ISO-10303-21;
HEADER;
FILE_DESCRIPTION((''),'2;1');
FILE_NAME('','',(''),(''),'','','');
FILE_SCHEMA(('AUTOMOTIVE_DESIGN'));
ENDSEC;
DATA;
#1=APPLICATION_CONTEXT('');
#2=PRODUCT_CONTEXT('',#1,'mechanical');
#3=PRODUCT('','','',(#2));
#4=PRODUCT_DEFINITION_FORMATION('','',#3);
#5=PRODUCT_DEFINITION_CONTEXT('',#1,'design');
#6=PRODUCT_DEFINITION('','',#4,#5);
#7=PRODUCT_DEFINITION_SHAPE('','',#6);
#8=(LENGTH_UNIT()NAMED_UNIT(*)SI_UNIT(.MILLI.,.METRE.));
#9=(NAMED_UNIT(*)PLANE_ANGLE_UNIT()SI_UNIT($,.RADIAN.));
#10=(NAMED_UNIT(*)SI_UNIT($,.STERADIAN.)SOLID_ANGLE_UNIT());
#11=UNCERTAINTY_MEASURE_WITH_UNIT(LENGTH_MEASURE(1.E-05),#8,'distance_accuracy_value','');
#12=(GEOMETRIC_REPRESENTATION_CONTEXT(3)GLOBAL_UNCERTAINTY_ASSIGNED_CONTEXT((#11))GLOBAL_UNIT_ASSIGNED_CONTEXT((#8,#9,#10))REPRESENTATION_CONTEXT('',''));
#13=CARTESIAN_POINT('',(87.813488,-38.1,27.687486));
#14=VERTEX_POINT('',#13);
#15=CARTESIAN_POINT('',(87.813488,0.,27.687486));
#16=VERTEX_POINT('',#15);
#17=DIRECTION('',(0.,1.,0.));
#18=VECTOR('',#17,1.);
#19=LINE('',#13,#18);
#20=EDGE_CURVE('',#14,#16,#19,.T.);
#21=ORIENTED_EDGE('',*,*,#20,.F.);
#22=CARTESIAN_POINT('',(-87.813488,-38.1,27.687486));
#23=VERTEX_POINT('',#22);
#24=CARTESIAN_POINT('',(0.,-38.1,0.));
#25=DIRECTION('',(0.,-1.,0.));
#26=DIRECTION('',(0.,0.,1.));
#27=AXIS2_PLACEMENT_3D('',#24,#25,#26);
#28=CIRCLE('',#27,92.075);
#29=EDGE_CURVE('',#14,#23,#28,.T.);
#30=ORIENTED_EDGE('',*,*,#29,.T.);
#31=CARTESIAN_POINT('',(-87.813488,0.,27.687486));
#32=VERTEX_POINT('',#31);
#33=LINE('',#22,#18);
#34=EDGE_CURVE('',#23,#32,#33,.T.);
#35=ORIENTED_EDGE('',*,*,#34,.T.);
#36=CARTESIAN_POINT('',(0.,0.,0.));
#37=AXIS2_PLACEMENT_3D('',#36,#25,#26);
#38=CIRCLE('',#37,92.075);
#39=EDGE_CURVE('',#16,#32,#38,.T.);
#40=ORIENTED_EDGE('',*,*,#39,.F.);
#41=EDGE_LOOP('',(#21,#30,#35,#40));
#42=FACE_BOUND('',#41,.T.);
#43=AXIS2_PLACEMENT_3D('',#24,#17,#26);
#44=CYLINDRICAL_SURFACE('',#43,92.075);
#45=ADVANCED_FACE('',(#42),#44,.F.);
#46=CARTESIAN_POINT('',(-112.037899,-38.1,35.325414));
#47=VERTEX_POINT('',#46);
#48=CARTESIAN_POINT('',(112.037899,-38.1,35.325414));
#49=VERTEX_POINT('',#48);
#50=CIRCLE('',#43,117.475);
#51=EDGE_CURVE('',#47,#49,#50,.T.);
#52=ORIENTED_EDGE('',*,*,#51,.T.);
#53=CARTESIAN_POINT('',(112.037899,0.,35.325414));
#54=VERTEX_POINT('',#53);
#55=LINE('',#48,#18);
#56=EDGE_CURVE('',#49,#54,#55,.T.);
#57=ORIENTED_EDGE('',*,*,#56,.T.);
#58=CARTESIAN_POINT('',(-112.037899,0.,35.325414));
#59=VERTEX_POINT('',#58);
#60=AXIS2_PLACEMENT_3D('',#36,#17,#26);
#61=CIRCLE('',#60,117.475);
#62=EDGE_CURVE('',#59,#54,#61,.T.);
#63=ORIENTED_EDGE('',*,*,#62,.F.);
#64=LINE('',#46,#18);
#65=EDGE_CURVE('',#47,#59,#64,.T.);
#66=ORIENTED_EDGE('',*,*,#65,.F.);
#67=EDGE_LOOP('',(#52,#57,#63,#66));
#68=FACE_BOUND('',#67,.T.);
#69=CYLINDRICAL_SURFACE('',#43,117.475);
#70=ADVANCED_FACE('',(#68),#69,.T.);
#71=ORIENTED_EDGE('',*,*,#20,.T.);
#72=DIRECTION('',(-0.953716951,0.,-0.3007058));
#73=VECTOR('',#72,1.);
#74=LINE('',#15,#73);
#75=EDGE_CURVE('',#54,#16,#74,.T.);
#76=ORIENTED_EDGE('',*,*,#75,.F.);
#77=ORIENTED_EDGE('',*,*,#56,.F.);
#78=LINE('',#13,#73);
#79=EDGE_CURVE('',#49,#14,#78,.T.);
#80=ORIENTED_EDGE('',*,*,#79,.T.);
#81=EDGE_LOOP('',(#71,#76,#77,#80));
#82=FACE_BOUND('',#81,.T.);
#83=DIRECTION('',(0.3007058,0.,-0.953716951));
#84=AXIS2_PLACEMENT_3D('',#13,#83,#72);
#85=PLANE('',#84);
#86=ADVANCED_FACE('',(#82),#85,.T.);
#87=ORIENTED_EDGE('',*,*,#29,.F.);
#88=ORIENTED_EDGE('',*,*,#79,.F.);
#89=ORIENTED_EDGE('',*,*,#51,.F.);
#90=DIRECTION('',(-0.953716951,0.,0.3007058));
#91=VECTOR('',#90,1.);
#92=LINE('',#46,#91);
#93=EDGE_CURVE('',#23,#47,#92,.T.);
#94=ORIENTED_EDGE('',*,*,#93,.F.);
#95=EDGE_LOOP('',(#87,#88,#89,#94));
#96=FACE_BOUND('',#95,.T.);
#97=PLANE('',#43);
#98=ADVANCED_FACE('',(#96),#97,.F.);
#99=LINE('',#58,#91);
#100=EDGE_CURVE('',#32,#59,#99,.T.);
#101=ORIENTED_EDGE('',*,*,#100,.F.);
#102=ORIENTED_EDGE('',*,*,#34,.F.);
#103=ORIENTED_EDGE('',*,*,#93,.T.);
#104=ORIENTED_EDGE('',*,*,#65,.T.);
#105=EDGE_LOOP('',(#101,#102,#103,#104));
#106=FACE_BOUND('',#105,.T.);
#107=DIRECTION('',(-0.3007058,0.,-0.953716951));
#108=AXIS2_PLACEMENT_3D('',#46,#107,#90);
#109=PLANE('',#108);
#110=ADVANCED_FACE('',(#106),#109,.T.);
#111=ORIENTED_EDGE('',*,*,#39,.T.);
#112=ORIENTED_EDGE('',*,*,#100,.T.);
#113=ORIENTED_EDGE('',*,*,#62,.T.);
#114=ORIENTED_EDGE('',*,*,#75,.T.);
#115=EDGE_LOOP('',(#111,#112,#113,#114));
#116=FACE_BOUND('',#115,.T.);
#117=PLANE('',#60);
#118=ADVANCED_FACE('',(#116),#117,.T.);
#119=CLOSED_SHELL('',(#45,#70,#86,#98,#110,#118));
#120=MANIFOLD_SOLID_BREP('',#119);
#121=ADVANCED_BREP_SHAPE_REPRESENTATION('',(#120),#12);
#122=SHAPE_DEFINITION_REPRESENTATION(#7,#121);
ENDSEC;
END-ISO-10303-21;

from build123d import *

# Parameters (mm, degrees)
BOSS_EXTRUDE1_DEPTH = 38.1


with BuildPart() as part:
    # Sketch1 → Boss-Extrude1 (new body)
    with BuildSketch(Plane(origin=(0, 0, 0), x_dir=(1, 0, 0), z_dir=(0, 1, 0))):
        with BuildLine():
            Line((-112.037898789, -35.325413797), (-87.81348824, -27.687486489))
            ThreePointArc((-87.81348824, -27.687486489), (0, -92.075), (87.81348824, -27.687486489))
            Line((87.81348824, -27.687486489), (112.037898789, -35.325413797))
            ThreePointArc((112.037898789, -35.325413797), (0, -117.475), (-112.037898789, -35.325413797))
        make_face()
    extrude(amount=-BOSS_EXTRUDE1_DEPTH)


solid = part.part
